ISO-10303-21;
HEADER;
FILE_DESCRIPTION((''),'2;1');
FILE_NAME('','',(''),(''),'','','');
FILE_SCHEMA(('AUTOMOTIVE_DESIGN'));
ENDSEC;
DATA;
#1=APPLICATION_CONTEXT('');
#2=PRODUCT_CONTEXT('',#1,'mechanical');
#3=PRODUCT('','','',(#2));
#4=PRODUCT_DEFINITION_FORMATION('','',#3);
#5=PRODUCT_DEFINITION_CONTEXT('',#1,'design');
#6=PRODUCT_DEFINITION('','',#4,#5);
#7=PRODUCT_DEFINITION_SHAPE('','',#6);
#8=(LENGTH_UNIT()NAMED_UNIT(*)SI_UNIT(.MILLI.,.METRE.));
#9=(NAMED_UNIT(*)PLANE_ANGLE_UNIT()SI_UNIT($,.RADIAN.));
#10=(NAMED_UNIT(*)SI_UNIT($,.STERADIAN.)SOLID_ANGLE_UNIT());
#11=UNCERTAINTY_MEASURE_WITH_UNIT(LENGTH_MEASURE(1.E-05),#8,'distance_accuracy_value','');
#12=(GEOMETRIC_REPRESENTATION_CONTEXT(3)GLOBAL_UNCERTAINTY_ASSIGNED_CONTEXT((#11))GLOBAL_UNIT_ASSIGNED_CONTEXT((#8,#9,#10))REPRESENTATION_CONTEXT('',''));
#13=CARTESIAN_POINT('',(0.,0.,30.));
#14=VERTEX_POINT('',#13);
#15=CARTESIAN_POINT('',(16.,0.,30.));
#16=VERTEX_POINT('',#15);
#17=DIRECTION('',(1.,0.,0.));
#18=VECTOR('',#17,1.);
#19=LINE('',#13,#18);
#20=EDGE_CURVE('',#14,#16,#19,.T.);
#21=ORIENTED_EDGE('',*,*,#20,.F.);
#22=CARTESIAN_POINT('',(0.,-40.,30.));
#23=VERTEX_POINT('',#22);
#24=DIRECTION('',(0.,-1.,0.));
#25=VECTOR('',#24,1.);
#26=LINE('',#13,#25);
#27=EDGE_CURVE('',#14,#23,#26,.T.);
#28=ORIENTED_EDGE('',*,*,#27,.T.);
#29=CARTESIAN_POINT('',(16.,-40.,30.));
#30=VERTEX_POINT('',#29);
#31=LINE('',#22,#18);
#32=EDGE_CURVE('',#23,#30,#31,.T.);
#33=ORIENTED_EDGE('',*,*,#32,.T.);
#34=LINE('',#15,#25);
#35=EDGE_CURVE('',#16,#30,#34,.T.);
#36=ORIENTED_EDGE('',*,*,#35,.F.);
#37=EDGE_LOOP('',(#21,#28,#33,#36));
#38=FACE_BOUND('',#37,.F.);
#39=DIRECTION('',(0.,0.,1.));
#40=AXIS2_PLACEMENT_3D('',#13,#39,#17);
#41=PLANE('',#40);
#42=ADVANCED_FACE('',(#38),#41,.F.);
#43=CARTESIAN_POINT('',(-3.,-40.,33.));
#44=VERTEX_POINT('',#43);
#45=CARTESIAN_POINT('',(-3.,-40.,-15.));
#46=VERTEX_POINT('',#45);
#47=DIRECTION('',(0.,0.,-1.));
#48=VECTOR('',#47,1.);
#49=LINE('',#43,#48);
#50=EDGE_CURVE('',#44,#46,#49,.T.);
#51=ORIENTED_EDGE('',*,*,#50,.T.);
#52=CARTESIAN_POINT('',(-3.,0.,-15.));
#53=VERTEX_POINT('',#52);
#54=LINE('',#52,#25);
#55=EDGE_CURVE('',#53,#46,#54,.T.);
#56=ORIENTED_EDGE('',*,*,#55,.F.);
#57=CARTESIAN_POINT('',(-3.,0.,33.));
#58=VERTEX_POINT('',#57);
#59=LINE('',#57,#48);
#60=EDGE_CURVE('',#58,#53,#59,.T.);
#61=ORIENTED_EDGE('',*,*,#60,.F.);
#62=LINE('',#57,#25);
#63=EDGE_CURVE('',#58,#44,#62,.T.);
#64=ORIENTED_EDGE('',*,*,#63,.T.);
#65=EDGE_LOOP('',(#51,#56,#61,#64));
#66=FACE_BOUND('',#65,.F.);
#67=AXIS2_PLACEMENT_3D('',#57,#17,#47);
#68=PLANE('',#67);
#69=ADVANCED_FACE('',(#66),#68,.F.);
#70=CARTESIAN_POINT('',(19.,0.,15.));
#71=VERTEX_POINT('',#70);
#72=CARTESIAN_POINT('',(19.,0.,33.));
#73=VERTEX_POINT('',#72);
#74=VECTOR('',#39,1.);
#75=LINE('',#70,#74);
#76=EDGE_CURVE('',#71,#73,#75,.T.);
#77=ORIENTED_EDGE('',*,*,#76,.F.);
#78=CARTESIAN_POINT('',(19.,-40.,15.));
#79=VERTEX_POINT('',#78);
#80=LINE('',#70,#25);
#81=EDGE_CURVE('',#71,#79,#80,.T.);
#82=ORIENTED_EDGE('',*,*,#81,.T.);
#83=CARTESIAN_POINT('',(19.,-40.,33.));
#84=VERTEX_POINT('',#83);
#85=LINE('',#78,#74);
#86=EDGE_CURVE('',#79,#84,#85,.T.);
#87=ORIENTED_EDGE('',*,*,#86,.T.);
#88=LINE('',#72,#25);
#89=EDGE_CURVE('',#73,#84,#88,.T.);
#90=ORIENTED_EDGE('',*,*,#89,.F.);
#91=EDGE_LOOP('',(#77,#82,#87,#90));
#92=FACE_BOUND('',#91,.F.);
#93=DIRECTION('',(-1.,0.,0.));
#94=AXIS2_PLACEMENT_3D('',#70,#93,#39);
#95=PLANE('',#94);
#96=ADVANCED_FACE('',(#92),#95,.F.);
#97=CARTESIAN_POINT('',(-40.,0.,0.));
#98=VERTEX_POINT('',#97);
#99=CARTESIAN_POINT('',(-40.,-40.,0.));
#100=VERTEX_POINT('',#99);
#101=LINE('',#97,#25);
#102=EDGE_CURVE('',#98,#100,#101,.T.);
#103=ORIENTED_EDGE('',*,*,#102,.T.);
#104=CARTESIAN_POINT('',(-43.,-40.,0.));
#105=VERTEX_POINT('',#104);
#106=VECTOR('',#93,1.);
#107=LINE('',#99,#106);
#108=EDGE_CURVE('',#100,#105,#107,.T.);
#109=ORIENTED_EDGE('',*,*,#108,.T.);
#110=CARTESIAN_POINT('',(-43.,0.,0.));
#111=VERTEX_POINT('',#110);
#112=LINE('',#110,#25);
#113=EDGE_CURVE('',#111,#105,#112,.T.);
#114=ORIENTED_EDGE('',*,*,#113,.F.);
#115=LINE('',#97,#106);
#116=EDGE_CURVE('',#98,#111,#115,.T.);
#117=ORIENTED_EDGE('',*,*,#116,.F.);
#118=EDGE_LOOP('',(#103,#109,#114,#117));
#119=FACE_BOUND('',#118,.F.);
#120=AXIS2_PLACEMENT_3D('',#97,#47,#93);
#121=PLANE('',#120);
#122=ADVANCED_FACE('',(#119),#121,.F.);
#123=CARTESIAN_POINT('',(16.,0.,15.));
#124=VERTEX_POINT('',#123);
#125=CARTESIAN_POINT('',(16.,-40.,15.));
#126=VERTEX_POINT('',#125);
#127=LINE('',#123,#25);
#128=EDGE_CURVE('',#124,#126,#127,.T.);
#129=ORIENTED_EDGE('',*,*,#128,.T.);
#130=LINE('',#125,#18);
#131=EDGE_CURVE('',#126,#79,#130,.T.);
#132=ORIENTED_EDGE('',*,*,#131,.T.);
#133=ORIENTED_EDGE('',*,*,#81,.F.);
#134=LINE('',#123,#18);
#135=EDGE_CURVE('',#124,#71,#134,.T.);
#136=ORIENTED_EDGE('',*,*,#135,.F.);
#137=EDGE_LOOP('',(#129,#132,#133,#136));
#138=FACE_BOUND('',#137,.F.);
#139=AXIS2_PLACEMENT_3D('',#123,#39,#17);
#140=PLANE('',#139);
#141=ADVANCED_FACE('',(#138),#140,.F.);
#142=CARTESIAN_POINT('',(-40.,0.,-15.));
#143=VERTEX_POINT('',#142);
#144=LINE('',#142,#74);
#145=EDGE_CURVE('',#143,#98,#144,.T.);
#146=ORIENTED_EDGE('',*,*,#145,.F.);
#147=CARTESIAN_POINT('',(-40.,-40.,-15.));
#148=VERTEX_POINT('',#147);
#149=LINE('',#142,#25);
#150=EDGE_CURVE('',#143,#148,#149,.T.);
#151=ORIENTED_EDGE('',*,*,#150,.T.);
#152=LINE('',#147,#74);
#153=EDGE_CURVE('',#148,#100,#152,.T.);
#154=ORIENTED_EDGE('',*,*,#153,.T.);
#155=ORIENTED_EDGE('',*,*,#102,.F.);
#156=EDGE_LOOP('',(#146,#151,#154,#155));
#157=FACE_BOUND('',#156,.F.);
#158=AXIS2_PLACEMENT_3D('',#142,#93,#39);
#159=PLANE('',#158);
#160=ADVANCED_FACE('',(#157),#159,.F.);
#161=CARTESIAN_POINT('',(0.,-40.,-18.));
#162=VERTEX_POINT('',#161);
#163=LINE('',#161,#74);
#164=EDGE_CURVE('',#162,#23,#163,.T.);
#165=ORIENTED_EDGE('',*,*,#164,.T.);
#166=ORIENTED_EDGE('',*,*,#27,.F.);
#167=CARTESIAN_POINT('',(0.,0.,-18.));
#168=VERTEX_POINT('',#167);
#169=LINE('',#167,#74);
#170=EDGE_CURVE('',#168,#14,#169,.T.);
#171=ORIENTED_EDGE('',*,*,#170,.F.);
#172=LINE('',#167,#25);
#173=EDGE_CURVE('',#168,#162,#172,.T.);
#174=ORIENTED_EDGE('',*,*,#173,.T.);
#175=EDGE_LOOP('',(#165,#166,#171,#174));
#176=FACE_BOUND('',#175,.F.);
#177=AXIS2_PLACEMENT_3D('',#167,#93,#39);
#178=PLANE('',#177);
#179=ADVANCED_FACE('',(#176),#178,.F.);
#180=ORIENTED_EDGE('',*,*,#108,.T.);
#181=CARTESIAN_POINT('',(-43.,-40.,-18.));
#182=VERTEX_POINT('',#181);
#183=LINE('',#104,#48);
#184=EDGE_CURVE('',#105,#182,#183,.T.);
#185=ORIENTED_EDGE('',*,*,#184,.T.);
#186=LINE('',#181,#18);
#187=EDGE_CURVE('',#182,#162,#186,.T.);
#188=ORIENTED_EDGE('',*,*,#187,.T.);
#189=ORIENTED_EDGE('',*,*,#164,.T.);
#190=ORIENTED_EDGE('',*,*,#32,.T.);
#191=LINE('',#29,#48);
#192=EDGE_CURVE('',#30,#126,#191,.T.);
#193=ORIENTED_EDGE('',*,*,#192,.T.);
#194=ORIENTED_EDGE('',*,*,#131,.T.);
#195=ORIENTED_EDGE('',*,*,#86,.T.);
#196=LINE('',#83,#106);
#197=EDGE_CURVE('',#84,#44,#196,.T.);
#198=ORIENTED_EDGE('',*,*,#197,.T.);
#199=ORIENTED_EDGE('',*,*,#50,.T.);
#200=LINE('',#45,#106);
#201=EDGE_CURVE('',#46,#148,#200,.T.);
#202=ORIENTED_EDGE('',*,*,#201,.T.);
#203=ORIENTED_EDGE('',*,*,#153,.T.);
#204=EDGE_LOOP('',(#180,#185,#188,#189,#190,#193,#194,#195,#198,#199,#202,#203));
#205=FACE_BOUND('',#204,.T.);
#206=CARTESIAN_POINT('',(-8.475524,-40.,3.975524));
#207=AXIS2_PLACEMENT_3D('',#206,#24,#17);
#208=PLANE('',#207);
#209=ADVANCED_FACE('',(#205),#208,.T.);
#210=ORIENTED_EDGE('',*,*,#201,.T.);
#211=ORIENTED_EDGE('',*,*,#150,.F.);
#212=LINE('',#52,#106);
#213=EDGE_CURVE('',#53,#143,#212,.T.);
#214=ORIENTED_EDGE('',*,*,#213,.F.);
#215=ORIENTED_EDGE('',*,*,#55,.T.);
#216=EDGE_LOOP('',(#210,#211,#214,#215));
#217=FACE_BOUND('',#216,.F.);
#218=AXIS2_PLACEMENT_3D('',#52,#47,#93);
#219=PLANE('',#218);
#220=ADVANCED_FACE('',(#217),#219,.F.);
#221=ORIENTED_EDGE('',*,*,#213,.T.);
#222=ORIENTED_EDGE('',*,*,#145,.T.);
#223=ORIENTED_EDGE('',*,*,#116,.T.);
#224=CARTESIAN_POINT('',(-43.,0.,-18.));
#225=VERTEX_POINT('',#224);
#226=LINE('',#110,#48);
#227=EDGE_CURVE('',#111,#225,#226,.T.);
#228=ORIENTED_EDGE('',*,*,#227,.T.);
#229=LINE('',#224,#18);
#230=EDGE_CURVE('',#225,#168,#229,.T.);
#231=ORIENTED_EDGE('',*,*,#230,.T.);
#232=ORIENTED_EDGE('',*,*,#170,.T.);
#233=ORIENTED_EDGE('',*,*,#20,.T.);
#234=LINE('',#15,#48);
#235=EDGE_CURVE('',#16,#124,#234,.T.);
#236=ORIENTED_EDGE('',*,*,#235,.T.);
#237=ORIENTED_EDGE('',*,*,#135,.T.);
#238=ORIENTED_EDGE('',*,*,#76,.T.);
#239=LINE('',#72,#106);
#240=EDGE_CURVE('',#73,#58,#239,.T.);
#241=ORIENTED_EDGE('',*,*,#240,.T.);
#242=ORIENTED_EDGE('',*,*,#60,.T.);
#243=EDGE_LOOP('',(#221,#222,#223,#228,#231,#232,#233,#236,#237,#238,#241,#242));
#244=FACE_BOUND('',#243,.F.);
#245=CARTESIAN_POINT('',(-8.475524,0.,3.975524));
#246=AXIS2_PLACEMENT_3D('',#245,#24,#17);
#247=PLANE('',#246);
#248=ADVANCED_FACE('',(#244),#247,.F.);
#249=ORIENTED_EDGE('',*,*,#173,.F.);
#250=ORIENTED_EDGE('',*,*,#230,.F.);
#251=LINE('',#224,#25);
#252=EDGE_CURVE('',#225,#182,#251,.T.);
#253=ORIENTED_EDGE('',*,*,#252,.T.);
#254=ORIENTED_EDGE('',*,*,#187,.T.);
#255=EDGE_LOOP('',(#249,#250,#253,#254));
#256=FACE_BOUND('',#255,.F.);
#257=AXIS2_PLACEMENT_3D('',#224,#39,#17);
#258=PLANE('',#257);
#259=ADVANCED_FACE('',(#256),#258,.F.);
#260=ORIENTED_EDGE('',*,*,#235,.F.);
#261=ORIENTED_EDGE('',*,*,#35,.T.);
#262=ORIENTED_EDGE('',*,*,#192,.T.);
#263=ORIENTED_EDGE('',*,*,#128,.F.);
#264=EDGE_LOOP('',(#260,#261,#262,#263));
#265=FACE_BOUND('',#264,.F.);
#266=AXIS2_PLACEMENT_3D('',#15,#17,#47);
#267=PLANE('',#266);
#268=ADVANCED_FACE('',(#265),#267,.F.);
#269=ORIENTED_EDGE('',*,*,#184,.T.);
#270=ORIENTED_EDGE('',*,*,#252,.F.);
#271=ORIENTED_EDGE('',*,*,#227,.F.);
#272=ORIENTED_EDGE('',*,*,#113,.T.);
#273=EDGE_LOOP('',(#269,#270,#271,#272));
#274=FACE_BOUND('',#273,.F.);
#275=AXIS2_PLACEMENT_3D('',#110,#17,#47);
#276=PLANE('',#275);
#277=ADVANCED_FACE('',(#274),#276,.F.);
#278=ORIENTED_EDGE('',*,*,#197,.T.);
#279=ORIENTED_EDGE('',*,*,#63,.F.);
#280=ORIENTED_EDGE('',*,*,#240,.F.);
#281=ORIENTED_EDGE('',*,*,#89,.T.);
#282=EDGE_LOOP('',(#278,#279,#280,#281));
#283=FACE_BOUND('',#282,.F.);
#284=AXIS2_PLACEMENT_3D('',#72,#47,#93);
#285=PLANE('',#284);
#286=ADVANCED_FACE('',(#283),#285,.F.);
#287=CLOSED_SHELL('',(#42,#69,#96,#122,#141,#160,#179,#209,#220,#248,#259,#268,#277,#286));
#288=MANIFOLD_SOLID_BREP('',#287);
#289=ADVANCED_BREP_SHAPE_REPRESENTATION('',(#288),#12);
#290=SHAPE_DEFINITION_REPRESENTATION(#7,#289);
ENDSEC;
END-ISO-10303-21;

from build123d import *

# Parameters (mm, degrees)
F1_DEPTH = 40


with BuildPart() as f1:
    # F0 (on Front) → F1 (new body)
    with BuildSketch(Plane.XZ):
        Polygon((0, 30), (16, 30), (16, 15), (19, 15), (19, 30), (19, 33), (0, 33), (-3, 33), (-3, 30), (-3, -15), (-40, -15), (-40, 0), (-43, 0), (-43, -18), (-40, -18), (0, -18), (0, -15), align=None)
    extrude(amount=F1_DEPTH)


solid = f1.part
